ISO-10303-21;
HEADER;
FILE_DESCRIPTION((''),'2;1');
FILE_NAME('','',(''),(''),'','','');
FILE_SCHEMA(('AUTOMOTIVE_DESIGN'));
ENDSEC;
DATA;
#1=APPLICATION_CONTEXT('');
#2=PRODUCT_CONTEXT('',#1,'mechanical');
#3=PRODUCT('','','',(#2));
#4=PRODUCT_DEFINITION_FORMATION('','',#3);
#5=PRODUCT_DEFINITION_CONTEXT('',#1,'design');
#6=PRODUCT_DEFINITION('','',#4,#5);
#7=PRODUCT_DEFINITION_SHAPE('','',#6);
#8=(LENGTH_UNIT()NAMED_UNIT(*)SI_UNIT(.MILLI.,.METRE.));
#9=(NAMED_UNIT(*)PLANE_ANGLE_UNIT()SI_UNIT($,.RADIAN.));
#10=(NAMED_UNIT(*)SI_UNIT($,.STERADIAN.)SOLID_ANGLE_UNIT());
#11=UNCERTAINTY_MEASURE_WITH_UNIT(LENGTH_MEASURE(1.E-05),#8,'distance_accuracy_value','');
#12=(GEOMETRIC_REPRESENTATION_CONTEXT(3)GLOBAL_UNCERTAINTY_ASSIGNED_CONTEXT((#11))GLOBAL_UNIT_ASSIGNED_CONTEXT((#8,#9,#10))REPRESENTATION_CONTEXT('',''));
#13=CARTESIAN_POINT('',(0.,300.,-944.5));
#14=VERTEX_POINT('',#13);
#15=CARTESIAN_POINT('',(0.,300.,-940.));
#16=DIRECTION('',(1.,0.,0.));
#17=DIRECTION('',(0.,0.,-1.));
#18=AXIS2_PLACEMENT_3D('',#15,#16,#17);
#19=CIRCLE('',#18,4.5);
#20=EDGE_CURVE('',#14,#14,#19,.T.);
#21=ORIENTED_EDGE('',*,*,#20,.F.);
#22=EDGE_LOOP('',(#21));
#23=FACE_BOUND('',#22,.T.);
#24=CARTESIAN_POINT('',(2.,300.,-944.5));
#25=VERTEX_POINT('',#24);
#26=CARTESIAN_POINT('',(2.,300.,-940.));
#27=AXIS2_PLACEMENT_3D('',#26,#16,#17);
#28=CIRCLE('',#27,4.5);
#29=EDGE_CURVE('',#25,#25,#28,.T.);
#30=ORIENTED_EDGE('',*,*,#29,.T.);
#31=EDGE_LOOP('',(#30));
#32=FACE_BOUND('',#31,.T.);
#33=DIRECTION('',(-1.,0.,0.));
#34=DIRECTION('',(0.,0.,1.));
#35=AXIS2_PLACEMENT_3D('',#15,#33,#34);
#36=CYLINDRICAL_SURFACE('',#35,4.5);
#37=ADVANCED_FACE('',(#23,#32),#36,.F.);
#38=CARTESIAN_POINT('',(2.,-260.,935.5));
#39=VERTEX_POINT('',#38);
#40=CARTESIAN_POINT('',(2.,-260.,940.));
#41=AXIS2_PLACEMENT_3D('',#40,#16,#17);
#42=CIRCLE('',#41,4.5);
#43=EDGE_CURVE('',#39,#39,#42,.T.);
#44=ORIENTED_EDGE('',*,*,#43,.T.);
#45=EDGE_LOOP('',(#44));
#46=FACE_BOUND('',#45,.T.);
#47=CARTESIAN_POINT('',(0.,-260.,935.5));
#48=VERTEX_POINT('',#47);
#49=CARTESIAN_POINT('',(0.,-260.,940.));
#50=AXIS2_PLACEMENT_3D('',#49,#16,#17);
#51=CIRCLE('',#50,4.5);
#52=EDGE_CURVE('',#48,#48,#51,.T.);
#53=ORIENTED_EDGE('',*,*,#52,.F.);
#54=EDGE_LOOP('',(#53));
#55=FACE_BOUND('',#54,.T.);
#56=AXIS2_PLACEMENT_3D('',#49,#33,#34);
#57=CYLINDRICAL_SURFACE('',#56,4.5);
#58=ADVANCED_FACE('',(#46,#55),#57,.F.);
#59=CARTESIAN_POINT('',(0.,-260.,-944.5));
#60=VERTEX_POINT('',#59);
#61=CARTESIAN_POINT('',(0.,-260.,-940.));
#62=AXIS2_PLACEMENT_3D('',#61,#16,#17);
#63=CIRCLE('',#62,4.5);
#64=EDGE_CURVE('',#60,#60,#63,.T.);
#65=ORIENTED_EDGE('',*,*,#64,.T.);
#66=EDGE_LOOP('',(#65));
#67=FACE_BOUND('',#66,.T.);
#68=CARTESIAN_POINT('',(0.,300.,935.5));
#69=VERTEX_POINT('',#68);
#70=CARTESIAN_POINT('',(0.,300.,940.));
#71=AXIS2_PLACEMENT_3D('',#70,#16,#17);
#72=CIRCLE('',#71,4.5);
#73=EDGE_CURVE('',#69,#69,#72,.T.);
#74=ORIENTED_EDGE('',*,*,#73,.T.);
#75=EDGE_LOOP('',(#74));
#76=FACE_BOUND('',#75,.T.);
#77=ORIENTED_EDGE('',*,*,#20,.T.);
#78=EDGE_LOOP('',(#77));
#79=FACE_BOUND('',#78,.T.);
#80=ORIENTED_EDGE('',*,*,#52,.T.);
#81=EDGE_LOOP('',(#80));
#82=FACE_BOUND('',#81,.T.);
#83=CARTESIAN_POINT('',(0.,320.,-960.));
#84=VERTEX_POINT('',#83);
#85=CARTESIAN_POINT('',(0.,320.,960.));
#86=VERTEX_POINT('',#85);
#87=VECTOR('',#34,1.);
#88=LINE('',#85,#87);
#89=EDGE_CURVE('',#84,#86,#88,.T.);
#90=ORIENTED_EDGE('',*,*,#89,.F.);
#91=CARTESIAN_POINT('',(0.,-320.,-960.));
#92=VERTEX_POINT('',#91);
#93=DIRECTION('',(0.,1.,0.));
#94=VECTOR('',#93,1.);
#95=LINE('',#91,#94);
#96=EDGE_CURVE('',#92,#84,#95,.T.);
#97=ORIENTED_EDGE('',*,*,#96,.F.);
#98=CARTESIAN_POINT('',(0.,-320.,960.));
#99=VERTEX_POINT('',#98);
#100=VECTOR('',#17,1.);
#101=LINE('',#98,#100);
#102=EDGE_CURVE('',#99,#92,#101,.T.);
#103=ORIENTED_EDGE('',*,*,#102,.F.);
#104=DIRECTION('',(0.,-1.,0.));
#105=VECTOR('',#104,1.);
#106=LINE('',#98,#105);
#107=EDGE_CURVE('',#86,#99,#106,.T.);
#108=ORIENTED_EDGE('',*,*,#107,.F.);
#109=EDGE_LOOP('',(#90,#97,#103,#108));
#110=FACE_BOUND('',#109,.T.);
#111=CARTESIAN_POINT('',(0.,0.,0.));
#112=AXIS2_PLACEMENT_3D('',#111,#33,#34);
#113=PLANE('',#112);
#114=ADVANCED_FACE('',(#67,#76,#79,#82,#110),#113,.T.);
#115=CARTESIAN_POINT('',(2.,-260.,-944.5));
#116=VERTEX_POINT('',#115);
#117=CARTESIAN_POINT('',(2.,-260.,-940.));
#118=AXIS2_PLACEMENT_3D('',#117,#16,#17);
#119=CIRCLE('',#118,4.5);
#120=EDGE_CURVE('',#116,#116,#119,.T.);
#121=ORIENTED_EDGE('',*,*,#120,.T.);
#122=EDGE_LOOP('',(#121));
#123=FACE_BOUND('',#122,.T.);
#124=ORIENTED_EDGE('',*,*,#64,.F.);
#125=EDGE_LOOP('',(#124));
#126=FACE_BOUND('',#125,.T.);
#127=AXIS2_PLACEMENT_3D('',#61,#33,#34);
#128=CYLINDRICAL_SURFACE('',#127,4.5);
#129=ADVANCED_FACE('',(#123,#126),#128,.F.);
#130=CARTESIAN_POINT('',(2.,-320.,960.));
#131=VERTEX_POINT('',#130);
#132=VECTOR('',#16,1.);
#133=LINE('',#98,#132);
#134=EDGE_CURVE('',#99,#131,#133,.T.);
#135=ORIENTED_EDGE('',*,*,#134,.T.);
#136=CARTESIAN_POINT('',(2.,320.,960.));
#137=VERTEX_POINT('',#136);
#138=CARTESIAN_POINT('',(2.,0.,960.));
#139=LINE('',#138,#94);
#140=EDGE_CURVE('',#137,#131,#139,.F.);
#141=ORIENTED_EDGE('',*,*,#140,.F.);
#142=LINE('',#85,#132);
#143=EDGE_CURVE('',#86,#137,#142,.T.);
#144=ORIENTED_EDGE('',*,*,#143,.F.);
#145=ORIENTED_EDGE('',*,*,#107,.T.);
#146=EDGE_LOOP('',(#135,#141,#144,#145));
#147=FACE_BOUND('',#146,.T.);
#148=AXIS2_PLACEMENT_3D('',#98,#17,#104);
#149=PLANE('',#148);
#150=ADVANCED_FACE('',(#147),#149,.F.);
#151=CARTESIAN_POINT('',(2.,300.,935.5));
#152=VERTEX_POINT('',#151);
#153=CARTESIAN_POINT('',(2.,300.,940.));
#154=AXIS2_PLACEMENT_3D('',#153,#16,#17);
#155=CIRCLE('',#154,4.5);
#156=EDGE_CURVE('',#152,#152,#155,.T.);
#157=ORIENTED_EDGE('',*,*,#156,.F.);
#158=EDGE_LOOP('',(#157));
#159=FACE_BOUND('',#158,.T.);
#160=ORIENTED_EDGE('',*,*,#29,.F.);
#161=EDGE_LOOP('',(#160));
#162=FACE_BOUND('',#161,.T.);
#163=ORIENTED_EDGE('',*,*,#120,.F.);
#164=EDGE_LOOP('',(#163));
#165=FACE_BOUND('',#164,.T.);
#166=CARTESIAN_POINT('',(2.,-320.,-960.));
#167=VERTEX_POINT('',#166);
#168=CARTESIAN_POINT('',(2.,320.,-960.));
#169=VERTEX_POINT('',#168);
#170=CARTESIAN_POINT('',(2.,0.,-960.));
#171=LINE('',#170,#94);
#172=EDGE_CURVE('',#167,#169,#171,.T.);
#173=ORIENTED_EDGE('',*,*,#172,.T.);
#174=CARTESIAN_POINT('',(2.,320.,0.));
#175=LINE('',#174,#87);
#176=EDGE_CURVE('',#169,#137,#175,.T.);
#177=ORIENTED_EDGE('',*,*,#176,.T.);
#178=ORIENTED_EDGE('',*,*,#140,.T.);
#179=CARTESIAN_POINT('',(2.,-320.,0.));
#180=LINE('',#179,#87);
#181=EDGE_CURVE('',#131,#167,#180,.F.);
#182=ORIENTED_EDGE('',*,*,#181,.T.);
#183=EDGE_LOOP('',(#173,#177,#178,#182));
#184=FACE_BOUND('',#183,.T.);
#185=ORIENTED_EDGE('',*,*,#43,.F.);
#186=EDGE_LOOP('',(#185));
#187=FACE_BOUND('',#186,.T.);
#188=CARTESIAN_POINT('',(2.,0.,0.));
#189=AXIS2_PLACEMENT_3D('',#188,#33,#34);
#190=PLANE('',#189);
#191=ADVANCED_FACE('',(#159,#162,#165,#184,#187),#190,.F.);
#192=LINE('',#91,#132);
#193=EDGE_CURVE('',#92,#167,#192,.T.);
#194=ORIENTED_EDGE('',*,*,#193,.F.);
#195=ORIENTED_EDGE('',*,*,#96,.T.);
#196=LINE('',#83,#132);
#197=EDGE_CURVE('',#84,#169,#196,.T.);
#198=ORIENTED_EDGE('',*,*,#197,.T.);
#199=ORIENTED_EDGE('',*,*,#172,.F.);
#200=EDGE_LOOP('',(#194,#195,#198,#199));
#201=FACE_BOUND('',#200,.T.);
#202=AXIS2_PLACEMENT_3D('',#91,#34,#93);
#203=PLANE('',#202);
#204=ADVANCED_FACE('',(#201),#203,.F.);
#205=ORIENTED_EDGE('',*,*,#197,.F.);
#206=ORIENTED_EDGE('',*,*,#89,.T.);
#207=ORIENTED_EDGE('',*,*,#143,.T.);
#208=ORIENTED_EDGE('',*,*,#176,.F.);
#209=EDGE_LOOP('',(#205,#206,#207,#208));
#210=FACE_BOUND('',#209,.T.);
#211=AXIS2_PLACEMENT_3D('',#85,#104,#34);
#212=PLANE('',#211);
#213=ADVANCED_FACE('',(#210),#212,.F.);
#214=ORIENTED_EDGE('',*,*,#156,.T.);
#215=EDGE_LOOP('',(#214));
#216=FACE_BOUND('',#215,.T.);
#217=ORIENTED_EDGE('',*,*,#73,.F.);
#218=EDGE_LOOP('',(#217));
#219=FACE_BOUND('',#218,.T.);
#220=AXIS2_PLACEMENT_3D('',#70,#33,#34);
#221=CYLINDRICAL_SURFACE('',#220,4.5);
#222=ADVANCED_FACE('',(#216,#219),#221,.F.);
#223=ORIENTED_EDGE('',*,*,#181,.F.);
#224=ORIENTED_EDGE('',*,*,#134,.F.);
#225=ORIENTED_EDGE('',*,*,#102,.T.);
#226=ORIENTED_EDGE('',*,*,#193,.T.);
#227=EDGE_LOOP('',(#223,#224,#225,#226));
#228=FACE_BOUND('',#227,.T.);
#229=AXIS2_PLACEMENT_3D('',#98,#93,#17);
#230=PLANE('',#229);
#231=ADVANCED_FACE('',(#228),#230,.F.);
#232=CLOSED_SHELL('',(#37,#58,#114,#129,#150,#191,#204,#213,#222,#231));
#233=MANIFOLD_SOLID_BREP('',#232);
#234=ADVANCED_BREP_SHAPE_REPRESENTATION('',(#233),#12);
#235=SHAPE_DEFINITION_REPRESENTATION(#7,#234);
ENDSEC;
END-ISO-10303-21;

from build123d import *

# Parameters (mm, degrees)
SKETCH1_W   = 1920
SKETCH1_H   = 640
SKETCH1_R   = 4.5
THICKEN1_T1 = 2


with BuildPart() as body_1:
    # Sketch1 → Surface-Plane1: a flat surface bounded by the sketch
    with BuildSketch(Plane(origin=(0, 0, 0), x_dir=(0, 0, -1), z_dir=(1, 0, 0)), mode=Mode.PRIVATE) as surface_plane1_1_region:
        Rectangle(SKETCH1_W, SKETCH1_H)
        with Locations((-940, 300)):
            Circle(SKETCH1_R, mode=Mode.SUBTRACT)
        with Locations((940, 300)):
            Circle(SKETCH1_R, mode=Mode.SUBTRACT)
        with Locations((940, -260)):
            Circle(SKETCH1_R, mode=Mode.SUBTRACT)
        with Locations((-940, -260)):
            Circle(SKETCH1_R, mode=Mode.SUBTRACT)
    surface_plane1_1 = surface_plane1_1_region.sketch.faces()[0]
    add(Solid.thicken(surface_plane1_1, THICKEN1_T1))


solid = body_1.part
